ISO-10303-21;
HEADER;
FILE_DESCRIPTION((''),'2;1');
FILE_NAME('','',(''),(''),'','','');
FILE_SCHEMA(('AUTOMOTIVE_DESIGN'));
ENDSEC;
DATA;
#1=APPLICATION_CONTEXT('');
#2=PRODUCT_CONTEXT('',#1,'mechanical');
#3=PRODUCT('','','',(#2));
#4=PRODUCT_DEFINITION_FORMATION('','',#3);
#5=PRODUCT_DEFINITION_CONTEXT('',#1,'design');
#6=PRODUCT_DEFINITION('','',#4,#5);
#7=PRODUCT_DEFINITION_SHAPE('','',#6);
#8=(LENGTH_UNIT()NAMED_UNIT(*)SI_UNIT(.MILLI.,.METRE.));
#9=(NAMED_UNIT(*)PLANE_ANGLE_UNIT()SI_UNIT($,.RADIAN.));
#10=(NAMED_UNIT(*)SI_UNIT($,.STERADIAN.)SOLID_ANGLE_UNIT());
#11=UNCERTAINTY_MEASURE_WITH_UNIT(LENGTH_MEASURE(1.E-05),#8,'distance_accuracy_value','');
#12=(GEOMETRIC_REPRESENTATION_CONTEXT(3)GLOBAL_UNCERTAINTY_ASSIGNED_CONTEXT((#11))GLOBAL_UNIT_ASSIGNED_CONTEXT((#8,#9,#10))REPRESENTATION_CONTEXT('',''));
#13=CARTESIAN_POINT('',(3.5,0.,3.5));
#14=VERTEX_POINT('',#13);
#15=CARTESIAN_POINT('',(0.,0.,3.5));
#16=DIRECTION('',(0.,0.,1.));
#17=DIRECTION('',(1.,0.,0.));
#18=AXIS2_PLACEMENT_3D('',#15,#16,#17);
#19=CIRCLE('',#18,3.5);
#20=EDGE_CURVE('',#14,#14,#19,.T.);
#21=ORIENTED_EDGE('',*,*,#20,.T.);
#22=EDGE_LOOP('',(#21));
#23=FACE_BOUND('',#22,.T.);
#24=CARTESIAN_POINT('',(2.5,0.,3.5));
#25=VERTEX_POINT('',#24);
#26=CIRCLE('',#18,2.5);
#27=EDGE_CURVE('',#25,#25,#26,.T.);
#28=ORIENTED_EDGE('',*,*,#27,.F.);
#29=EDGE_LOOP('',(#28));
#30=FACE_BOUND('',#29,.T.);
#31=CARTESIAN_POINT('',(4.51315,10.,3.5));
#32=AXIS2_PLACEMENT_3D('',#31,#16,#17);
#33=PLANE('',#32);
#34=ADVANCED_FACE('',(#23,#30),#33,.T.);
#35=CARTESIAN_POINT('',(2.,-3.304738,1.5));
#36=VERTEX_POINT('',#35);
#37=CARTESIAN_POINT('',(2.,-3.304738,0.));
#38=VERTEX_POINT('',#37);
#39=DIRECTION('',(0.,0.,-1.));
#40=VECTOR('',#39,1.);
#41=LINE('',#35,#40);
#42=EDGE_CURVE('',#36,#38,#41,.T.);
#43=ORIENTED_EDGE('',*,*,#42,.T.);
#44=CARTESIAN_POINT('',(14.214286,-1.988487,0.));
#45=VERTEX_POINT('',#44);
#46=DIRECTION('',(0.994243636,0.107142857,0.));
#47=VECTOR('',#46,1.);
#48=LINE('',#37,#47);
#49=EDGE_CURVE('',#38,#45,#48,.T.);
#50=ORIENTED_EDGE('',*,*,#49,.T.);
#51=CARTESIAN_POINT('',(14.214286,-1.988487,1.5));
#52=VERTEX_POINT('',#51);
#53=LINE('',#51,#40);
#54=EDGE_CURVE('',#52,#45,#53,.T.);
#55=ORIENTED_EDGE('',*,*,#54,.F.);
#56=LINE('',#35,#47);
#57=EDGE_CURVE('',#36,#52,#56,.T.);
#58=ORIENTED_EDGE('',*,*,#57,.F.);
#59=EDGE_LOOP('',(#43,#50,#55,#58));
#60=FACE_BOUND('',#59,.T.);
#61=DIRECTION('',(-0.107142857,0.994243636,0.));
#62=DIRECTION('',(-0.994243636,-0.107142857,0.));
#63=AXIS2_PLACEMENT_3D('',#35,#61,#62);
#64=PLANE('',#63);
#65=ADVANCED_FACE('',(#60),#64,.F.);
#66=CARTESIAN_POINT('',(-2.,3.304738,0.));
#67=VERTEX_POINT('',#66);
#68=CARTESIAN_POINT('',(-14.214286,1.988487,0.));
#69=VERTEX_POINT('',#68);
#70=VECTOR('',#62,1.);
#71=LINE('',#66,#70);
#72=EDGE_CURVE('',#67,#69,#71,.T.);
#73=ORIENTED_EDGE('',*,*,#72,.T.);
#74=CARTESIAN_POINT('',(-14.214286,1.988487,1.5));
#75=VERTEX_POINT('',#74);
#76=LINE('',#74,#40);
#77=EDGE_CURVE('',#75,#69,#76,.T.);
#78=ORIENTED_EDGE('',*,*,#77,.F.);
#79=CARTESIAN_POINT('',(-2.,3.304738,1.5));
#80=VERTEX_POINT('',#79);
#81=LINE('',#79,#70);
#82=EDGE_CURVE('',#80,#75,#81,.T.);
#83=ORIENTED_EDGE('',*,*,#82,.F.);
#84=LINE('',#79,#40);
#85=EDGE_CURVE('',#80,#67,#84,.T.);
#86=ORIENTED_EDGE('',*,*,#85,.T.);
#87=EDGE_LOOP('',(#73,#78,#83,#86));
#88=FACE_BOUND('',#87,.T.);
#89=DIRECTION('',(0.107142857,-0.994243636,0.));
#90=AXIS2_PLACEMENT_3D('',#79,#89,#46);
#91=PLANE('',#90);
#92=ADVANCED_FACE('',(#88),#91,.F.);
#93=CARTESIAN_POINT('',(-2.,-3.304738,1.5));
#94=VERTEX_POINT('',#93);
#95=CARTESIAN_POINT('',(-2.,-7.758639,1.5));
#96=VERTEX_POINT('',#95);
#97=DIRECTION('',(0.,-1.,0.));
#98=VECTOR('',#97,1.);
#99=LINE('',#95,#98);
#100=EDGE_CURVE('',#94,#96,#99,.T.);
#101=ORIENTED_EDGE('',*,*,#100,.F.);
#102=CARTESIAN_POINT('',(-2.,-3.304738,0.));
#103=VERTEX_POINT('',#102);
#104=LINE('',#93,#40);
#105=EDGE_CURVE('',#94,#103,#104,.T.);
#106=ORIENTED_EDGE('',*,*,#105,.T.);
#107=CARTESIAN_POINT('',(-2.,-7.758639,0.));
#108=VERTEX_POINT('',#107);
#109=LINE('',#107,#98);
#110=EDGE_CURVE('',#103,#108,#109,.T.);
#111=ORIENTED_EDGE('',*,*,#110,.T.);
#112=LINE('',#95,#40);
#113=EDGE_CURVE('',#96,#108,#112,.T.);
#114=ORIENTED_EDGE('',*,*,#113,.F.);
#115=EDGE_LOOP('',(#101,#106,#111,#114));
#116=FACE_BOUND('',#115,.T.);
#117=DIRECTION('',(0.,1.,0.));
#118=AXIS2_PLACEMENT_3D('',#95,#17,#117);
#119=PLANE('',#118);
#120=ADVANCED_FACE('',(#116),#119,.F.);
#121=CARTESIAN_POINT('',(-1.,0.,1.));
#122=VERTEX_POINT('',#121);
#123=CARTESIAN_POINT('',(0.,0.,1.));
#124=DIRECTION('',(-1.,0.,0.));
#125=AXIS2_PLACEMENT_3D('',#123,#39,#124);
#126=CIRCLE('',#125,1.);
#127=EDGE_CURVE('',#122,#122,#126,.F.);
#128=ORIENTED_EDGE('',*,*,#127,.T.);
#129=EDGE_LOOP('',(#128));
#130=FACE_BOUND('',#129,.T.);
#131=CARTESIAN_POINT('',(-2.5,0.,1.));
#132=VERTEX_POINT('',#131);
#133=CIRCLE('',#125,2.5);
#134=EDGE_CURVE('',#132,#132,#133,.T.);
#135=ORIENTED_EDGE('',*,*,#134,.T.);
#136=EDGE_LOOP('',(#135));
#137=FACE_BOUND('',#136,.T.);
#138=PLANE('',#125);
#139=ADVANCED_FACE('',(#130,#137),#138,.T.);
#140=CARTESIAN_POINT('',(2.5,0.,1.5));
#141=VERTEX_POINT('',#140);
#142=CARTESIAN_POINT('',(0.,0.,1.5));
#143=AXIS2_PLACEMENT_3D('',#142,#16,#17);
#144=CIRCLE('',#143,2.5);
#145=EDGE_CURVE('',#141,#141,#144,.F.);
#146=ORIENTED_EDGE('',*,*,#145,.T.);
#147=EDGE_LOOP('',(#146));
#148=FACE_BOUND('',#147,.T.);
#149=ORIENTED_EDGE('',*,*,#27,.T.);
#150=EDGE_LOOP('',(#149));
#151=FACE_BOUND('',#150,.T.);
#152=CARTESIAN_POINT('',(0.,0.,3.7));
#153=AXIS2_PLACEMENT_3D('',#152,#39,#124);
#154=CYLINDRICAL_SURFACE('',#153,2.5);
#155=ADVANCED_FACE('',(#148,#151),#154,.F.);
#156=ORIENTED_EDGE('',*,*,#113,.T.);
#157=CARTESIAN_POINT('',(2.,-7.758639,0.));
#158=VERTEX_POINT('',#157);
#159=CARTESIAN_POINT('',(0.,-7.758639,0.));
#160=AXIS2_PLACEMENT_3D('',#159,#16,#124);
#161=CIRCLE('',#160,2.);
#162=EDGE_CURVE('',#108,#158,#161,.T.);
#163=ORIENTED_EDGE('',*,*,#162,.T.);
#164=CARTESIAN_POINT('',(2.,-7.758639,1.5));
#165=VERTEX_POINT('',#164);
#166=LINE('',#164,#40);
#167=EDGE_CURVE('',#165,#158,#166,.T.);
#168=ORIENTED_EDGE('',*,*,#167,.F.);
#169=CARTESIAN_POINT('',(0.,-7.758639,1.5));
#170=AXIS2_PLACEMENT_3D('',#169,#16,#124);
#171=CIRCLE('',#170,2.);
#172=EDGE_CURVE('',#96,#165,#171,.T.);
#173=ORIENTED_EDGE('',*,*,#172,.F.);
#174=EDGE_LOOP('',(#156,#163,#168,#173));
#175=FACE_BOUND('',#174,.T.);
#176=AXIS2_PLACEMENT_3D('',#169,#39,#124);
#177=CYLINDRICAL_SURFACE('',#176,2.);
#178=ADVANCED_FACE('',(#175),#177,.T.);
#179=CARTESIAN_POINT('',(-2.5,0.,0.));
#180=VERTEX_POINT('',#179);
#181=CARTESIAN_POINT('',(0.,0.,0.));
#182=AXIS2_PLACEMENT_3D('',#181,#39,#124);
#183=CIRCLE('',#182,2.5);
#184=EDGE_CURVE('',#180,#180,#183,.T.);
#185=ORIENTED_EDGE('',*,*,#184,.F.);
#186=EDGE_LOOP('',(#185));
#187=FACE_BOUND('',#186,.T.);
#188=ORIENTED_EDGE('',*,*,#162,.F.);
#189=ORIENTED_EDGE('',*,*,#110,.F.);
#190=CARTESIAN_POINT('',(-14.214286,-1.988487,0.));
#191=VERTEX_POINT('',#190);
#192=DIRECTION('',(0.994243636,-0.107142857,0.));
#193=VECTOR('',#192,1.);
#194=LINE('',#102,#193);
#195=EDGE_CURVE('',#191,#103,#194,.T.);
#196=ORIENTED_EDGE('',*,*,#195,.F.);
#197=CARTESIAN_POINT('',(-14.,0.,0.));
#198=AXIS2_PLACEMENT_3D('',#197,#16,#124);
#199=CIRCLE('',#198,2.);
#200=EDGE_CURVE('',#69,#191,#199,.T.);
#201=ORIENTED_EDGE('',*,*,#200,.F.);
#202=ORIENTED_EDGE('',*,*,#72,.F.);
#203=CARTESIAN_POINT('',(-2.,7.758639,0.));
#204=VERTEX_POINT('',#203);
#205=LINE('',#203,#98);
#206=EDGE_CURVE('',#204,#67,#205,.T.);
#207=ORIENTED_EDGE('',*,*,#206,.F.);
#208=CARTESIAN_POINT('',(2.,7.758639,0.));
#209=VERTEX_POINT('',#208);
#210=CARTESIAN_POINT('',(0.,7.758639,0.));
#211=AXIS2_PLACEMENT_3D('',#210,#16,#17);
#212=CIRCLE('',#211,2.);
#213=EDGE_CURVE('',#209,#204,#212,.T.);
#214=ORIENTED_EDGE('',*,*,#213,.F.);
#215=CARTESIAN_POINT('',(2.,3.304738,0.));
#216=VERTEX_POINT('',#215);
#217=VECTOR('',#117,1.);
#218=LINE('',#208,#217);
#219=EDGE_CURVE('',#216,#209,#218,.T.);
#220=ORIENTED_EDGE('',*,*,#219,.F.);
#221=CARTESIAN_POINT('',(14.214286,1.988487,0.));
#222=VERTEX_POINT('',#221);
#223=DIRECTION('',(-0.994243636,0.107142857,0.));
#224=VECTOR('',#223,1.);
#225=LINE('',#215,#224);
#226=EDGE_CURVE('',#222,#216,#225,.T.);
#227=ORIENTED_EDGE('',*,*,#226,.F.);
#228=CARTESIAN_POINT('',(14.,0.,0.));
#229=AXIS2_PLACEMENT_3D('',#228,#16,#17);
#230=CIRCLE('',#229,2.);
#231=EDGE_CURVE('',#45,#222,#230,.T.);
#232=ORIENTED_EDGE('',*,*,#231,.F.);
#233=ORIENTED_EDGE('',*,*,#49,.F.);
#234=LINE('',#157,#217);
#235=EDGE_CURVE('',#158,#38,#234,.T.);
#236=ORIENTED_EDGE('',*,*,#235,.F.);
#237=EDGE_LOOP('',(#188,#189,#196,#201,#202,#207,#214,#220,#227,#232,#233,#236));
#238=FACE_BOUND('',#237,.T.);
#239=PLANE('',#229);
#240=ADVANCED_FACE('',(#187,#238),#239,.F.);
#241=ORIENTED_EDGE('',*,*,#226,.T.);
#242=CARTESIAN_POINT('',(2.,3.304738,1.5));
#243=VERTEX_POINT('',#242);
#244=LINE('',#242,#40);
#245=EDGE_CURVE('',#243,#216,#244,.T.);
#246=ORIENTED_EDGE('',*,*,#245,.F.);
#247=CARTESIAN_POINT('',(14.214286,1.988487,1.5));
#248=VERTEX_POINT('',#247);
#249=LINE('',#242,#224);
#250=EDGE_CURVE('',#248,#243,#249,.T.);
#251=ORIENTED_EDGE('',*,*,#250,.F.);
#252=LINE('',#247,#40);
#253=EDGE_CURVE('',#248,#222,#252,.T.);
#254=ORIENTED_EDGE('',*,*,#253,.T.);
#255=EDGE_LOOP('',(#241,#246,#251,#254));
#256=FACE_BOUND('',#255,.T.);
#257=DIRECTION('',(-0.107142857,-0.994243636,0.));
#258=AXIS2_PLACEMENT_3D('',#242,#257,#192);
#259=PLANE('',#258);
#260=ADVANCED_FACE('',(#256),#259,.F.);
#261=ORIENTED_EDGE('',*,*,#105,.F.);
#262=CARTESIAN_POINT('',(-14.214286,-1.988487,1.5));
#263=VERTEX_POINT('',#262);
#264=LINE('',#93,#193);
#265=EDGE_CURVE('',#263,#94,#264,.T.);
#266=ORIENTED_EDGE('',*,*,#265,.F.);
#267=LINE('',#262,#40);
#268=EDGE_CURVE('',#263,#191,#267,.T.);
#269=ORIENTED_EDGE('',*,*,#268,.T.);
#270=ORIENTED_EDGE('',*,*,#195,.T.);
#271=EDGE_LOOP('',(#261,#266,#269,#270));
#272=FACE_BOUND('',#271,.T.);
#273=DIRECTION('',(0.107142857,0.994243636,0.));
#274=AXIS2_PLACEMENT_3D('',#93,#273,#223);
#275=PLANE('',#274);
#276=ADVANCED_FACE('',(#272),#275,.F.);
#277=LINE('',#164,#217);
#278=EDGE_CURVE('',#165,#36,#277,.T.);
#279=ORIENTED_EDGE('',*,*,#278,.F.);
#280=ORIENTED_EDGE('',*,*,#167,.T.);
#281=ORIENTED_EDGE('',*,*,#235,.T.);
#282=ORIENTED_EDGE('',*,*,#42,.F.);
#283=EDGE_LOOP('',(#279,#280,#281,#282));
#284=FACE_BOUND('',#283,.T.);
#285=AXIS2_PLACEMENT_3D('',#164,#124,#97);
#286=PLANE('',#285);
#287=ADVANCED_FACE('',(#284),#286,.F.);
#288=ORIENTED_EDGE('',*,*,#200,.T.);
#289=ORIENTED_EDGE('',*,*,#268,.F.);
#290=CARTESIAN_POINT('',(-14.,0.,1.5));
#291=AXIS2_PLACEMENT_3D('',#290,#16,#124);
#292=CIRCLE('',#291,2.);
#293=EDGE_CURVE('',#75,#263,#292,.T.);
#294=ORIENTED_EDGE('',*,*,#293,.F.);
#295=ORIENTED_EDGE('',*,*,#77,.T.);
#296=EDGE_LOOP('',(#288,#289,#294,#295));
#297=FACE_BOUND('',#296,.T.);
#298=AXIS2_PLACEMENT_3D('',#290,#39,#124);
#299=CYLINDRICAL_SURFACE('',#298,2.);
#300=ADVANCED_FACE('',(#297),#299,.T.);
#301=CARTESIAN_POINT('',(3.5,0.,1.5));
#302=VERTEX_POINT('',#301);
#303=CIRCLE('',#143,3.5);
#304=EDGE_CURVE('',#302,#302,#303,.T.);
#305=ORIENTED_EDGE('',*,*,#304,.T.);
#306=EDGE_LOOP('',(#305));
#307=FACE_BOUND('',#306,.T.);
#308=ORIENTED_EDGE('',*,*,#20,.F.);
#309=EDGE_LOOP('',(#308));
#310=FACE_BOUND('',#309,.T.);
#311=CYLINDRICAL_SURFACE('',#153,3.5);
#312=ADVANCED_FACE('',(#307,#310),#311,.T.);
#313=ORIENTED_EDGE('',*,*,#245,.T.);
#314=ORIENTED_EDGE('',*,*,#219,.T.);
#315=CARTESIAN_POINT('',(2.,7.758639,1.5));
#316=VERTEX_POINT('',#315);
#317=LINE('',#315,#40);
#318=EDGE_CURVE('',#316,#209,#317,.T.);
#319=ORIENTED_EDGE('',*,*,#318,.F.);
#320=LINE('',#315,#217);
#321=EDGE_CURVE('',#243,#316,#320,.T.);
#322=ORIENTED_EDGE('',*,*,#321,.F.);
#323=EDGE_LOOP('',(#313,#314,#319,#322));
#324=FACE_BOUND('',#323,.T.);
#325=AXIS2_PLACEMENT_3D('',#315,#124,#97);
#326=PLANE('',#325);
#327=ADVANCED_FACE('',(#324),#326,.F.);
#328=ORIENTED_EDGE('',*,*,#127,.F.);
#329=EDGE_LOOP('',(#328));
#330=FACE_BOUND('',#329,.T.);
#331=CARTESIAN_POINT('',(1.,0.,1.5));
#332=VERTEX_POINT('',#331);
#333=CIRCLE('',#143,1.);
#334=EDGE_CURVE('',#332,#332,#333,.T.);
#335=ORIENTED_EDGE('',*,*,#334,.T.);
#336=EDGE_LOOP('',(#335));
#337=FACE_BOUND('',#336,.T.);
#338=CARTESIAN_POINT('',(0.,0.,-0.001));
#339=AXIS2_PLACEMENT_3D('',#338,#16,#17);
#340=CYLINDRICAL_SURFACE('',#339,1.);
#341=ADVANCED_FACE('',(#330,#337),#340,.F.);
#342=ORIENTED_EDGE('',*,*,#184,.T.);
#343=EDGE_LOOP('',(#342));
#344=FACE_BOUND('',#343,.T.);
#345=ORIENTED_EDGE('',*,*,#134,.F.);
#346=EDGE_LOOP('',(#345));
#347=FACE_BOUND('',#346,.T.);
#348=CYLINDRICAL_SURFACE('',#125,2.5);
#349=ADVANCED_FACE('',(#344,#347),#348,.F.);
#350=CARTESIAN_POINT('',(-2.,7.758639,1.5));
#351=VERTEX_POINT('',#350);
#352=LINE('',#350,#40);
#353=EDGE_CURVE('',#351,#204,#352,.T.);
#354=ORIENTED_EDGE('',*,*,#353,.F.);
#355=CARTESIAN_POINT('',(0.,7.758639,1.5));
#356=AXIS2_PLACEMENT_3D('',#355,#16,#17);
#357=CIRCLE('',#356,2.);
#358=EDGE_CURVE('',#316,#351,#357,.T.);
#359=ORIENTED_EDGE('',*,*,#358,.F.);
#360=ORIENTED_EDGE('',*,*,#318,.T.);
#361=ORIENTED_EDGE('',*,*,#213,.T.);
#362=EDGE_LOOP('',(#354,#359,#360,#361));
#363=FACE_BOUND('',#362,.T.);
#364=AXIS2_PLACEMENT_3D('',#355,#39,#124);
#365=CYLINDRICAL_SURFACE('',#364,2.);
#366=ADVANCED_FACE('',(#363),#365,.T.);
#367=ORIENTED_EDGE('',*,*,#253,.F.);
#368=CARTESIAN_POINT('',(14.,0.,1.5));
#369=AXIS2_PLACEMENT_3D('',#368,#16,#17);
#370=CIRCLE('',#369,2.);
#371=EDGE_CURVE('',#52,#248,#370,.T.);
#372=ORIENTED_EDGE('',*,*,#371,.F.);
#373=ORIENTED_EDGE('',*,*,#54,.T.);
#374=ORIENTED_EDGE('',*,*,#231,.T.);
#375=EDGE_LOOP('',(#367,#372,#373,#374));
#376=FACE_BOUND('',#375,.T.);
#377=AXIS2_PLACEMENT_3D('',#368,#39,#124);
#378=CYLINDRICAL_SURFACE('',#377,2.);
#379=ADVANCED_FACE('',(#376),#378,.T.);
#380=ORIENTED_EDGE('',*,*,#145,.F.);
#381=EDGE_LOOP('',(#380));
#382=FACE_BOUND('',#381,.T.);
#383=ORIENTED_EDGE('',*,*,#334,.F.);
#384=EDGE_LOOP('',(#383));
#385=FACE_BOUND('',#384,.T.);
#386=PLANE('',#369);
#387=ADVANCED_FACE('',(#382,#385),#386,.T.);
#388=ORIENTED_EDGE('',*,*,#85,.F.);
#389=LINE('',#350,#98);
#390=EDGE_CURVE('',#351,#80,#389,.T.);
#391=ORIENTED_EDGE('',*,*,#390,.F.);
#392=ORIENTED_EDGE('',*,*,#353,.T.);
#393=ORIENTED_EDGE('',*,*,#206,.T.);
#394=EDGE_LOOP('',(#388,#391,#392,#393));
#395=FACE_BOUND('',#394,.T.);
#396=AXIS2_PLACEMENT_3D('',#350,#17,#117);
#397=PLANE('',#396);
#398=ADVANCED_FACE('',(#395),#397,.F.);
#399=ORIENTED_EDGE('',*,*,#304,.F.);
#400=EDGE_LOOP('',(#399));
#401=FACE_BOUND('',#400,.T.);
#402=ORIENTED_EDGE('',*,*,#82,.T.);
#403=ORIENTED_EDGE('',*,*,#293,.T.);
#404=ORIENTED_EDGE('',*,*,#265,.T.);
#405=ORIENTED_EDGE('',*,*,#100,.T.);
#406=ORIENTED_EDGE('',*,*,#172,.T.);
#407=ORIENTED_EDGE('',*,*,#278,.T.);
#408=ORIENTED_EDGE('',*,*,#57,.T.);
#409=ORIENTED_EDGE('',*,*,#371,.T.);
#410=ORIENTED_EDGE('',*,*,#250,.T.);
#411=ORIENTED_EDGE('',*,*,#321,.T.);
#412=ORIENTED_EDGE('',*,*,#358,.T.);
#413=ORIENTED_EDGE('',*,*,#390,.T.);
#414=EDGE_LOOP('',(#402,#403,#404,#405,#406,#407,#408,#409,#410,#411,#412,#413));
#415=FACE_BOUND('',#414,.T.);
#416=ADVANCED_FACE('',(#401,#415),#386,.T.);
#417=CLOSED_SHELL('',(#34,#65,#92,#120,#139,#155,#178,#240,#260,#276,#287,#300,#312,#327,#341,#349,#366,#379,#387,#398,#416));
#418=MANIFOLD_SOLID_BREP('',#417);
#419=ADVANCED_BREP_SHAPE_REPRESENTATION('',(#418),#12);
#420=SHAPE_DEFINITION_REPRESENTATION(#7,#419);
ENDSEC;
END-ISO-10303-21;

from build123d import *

# Parameters (mm, degrees)
BOSS_EXTRUDE1_DEPTH        = 1.5
SKETCH2_R                  = 3.5
SKETCH2_R_2                = 2.5
BOSS_EXTRUDE2_DEPTH        = 2.2
CUT_EXTRUDE1_REACH         = 20.87
SKETCH3_R                  = 1
SKETCH4_R                  = 2.5
CUT_EXTRUDE2_DEPTH         = 1
KES_EKSTR_ZYON1_DEPTH      = 10
KES_EKSTR_ZYON1_DEPTH_BACK = 10
IZIM1_W                    = 9.284710386
IZIM1_H                    = 2.096547507


with BuildPart() as part:
    # Sketch1 → Boss-Extrude1 (new body)
    with BuildSketch(Plane.XY):
        with BuildLine():
            Line((2, 7.75863865), (2, 3.304737557))
            Line((2, 3.304737557), (14.214285714, 1.988487272))
            ThreePointArc((14.214285714, 1.988487272), (16, 0), (14.214285714, -1.988487272))
            Line((14.214285714, -1.988487272), (2, -3.304737557))
            Line((2, -3.304737557), (2, -7.75863865))
            ThreePointArc((2, -7.75863865), (0, -9.75863865), (-2, -7.75863865))
            Line((-2, -7.75863865), (-2, -3.304737557))
            Line((-2, -3.304737557), (-14.214285714, -1.988487272))
            ThreePointArc((-14.214285714, -1.988487272), (-16, 0), (-14.214285714, 1.988487272))
            Line((-14.214285714, 1.988487272), (-2, 3.304737557))
            Line((-2, 3.304737557), (-2, 7.75863865))
            ThreePointArc((-2, 7.75863865), (0, 9.75863865), (2, 7.75863865))
        make_face()
    extrude(amount=BOSS_EXTRUDE1_DEPTH)

    # Sketch2 → Boss-Extrude2 (add)
    with BuildSketch(Plane.XY.offset(1.5)):
        Circle(SKETCH2_R)
        Circle(SKETCH2_R_2, mode=Mode.SUBTRACT)
    extrude(amount=BOSS_EXTRUDE2_DEPTH)

    # Sketch3 → Cut-Extrude1 (cut, up to next)
    with BuildSketch(Plane.XY.offset(1.5), mode=Mode.PRIVATE) as cut_extrude1_sk1:
        Circle(SKETCH3_R)
    cut_extrude1_tool1 = extrude(cut_extrude1_sk1.sketch, amount=-CUT_EXTRUDE1_REACH, mode=Mode.PRIVATE) & part.part
    add(cut_extrude1_tool1.solids().sort_by_distance((0, 0, 1.5))[0], mode=Mode.SUBTRACT)

    # Sketch4 → Cut-Extrude2 (cut)
    with BuildSketch(Plane(origin=(0, 0, 0), x_dir=(-1, 0, 0), z_dir=(0, 0, -1))):
        Circle(SKETCH4_R)
    extrude(amount=-CUT_EXTRUDE2_DEPTH, mode=Mode.SUBTRACT)

    # Çizim1 → Kes-Ekstrüzyon1 (cut, two sides: drawn at the far end of the back side and taken through both)
    with BuildSketch(Plane(origin=(0, 0, 0), x_dir=(1, 0, 0), z_dir=(0, 1, 0)).offset(-KES_EKSTR_ZYON1_DEPTH_BACK)):
        with Locations((-0.129205193, -4.548273754)):
            Rectangle(IZIM1_W, IZIM1_H)
    extrude(amount=KES_EKSTR_ZYON1_DEPTH + KES_EKSTR_ZYON1_DEPTH_BACK, mode=Mode.SUBTRACT)


solid = part.part
